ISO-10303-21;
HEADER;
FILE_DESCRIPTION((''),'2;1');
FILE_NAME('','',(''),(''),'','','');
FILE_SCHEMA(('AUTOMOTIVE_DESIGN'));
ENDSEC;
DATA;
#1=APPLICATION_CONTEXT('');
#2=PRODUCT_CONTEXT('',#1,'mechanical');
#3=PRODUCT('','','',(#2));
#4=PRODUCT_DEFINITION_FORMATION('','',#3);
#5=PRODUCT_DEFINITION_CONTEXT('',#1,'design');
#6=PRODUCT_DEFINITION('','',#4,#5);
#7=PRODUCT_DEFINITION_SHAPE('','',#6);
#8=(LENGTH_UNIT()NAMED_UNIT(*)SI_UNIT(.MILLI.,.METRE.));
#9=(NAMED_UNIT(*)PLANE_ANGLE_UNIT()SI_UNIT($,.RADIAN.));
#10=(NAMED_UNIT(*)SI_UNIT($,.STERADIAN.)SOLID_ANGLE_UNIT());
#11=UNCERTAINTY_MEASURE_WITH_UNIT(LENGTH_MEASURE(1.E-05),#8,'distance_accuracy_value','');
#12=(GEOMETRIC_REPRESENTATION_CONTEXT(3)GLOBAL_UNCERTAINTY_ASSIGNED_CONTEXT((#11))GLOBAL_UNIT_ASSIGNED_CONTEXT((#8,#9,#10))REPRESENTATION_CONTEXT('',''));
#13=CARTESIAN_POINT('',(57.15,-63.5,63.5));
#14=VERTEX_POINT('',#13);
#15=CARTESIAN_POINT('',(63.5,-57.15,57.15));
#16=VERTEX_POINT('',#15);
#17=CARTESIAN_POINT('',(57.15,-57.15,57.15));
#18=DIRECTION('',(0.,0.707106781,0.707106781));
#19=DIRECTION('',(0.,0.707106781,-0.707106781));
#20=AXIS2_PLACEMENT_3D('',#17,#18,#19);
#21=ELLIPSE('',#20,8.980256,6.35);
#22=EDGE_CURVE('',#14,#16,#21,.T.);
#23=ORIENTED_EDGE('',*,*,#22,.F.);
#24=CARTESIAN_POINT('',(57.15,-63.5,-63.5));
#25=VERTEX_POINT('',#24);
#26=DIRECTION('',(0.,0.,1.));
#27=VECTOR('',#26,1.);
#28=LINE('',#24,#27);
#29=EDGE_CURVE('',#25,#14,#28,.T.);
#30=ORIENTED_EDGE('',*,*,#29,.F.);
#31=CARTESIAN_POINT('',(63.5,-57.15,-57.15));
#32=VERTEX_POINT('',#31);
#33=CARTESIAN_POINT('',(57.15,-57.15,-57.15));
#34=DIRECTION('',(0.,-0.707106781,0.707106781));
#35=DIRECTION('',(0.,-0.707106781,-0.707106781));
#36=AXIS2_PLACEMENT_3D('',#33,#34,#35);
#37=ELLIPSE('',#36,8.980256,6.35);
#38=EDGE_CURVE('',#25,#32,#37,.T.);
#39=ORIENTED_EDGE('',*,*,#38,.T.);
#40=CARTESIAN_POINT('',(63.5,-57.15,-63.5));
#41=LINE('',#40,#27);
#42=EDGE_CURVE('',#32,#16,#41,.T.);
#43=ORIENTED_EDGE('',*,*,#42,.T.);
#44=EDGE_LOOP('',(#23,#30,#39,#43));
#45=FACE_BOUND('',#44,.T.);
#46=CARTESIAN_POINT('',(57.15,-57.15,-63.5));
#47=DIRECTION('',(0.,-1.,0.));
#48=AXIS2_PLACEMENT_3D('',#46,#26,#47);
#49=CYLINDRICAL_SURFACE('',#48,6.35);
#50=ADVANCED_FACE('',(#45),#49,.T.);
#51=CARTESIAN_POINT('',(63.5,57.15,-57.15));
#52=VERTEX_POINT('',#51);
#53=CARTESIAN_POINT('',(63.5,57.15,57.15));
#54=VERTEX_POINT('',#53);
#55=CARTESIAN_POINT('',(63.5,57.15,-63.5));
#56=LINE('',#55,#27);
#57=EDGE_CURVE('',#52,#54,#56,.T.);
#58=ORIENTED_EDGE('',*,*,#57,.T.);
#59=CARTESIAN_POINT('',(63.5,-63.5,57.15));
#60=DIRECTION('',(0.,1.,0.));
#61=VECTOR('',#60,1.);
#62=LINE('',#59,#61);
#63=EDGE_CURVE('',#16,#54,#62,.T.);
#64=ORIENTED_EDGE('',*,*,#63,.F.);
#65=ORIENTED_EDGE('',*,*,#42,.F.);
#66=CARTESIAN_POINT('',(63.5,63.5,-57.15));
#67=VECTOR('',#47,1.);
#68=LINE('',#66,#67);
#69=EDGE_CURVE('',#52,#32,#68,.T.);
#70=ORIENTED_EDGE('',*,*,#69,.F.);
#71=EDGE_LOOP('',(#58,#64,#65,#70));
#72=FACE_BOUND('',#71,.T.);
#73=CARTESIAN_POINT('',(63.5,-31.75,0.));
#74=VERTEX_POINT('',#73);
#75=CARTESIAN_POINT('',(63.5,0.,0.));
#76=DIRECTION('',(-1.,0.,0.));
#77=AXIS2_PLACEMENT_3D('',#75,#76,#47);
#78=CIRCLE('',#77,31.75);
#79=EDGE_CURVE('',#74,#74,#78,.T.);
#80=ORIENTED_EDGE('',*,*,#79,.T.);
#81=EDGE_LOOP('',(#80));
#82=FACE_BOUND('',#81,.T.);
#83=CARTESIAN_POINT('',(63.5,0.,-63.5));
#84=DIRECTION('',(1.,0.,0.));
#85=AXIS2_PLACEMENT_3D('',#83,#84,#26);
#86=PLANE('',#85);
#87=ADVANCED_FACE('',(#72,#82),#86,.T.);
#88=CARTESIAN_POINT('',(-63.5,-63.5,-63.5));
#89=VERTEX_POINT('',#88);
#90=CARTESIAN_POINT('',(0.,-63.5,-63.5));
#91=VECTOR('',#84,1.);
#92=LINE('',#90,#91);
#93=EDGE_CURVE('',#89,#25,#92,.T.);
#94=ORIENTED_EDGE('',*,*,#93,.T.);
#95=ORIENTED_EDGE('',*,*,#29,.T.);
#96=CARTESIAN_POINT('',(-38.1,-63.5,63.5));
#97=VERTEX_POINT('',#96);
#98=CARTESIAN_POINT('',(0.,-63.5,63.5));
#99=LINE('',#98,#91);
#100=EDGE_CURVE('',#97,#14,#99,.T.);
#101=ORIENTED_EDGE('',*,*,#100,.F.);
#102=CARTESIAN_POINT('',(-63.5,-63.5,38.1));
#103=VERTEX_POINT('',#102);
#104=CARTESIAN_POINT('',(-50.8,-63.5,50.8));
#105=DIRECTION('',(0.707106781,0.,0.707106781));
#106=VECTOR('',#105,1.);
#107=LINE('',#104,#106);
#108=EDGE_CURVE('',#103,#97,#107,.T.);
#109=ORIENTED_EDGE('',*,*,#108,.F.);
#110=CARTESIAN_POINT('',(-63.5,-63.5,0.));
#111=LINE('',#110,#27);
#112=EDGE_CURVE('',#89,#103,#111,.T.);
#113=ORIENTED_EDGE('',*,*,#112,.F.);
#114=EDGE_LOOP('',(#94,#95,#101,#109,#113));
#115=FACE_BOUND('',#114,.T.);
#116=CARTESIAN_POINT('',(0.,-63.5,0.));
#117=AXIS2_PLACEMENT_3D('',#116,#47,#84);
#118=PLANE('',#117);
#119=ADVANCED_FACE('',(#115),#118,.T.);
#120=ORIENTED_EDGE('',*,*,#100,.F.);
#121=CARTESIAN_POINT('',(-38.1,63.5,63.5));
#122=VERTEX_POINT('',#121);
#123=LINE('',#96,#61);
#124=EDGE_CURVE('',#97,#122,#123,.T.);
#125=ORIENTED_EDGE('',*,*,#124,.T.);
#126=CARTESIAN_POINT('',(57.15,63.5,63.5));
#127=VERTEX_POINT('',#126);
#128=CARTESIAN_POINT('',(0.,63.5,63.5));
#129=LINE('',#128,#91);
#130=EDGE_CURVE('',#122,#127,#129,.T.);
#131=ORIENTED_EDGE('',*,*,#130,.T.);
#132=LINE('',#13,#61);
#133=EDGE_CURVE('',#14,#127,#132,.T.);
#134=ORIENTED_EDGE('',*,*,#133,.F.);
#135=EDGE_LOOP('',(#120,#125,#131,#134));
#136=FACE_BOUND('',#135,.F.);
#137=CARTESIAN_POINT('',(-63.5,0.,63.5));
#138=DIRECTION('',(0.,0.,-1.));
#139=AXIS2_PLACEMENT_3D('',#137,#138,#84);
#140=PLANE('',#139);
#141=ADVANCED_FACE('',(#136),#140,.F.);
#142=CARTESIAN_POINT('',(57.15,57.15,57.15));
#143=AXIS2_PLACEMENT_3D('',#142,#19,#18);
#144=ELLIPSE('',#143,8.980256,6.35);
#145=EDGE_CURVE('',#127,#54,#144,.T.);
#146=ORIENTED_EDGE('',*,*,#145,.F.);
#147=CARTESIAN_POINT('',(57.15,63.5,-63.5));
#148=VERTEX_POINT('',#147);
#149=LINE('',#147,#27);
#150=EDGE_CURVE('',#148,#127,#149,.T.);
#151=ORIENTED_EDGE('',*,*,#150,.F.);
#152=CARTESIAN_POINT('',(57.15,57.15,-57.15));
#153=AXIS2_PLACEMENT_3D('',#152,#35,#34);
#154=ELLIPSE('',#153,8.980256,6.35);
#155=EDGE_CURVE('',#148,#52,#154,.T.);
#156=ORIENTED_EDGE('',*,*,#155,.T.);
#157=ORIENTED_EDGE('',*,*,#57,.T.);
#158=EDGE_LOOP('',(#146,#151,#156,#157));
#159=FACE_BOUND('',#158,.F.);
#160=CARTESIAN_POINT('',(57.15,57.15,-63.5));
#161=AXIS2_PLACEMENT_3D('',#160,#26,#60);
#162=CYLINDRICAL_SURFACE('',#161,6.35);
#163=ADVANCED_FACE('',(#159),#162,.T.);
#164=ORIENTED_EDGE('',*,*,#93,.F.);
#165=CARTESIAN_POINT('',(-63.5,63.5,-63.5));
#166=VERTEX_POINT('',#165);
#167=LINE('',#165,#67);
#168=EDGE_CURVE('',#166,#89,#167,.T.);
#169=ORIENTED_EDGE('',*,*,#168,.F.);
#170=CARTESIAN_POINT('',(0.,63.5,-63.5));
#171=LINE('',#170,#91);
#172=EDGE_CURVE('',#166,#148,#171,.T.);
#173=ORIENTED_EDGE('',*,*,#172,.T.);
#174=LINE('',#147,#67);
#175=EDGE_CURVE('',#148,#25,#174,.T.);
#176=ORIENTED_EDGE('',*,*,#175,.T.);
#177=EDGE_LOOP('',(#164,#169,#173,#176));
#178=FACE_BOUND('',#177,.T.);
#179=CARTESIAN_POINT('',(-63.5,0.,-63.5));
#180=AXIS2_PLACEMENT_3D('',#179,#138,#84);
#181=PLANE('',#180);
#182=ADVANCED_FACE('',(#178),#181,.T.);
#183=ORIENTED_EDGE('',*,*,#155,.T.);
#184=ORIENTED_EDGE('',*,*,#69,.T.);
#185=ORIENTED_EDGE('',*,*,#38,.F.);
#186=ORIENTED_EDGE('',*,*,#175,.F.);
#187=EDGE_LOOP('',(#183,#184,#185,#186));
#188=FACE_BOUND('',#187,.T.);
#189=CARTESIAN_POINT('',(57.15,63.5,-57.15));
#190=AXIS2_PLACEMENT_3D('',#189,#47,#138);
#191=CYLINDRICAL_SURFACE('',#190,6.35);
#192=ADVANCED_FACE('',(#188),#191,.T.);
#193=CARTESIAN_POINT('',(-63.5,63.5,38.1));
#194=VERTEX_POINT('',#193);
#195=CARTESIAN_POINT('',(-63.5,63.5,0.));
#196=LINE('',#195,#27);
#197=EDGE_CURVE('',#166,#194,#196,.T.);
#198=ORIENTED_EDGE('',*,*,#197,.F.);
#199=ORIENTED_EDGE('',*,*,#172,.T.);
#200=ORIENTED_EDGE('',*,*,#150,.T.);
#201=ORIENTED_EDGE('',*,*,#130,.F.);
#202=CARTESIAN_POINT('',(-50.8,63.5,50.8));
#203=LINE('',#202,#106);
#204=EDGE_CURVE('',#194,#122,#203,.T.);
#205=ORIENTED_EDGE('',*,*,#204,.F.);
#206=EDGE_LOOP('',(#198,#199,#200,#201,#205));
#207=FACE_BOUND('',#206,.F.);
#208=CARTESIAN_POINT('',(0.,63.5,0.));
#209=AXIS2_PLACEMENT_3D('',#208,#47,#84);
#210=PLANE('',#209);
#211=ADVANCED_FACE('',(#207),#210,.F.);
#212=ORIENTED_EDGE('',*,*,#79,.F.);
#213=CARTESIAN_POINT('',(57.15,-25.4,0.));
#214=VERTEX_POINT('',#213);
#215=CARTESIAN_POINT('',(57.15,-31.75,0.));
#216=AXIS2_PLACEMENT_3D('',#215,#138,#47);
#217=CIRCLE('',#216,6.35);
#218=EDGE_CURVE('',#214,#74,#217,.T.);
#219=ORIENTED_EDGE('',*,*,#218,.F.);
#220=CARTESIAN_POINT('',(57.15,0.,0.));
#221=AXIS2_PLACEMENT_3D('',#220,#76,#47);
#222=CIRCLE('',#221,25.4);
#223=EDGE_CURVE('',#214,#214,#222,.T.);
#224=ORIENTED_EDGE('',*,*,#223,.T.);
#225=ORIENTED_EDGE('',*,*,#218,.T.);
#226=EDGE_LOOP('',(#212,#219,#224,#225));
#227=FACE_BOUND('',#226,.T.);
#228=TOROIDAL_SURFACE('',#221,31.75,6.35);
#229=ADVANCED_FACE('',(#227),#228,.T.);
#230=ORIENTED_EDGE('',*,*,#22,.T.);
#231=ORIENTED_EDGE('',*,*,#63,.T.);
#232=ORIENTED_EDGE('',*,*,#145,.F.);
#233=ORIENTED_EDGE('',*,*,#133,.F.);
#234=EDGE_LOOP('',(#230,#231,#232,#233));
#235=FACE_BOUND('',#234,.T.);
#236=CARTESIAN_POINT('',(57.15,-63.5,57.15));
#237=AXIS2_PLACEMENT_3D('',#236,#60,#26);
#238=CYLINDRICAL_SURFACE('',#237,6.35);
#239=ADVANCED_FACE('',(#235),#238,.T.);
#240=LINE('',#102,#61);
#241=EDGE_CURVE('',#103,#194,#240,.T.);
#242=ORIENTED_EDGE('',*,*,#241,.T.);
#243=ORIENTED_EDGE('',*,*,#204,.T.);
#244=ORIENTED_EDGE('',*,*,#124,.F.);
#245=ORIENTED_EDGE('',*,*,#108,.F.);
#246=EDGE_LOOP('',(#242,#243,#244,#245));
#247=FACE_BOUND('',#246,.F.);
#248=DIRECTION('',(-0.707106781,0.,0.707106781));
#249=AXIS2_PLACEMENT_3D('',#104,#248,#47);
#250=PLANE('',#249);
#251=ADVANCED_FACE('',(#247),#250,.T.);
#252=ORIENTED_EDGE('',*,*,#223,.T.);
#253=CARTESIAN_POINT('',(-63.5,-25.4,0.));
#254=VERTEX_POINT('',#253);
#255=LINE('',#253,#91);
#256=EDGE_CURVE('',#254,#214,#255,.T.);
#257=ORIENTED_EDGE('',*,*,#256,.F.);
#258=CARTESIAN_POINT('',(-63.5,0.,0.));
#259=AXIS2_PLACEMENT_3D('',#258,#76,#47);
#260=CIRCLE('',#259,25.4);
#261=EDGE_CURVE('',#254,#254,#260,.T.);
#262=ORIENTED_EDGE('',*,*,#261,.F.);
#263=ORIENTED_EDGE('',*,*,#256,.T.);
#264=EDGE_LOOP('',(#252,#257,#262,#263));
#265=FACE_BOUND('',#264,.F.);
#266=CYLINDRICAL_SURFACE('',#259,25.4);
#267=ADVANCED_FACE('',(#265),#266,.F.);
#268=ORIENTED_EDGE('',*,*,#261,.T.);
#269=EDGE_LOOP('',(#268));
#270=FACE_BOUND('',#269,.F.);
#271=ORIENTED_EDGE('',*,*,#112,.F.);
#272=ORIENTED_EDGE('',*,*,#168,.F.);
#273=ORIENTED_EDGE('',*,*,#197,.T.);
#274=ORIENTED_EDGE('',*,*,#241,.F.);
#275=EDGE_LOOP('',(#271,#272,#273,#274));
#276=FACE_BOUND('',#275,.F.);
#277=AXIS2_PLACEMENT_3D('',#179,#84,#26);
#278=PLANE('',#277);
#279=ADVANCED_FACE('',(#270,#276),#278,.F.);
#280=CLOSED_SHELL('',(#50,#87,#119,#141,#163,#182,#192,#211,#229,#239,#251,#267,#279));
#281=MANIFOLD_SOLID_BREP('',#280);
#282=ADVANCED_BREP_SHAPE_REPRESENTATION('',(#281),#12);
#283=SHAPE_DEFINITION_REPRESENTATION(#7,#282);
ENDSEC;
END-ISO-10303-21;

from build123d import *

# Parameters (mm, degrees)
F0_W     = 127
F0_H     = 127
F1_DEPTH = 63.5
F2_SIZE  = 25.4
F3_R     = 25.4
F4_DEPTH = 127.001
F5_R     = 6.35


with BuildPart() as f1:
    # F0 (on Front) → F1 (new body, symmetric)
    with BuildSketch(Plane.XZ):
        Rectangle(F0_W, F0_H)
    extrude(amount=F1_DEPTH, both=True)

    # F2
    f2_edges = [f1.edges().sort_by_distance(p)[0] for p in [
        (-63.5, 0, 63.5),
    ]]
    chamfer(f2_edges, length=F2_SIZE)

    # F3 (on face) → F4 (cut, through all)
    with BuildSketch(Plane(origin=(-63.5, 0, 0), x_dir=(0, -1, 0), z_dir=(-1, 0, 0))):
        Circle(F3_R)
    extrude(amount=-F4_DEPTH, mode=Mode.SUBTRACT)

    # F5
    f5_edges = [f1.edges().sort_by_distance(p)[0] for p in [
        (63.5, 63.5, 0),
        (63.5, 0, -63.5),
        (63.5, 0, 63.5),
        (63.5, -63.5, 0),
        (63.5, 25.4, 0),
    ]]
    fillet(f5_edges, radius=F5_R)


solid = f1.part
